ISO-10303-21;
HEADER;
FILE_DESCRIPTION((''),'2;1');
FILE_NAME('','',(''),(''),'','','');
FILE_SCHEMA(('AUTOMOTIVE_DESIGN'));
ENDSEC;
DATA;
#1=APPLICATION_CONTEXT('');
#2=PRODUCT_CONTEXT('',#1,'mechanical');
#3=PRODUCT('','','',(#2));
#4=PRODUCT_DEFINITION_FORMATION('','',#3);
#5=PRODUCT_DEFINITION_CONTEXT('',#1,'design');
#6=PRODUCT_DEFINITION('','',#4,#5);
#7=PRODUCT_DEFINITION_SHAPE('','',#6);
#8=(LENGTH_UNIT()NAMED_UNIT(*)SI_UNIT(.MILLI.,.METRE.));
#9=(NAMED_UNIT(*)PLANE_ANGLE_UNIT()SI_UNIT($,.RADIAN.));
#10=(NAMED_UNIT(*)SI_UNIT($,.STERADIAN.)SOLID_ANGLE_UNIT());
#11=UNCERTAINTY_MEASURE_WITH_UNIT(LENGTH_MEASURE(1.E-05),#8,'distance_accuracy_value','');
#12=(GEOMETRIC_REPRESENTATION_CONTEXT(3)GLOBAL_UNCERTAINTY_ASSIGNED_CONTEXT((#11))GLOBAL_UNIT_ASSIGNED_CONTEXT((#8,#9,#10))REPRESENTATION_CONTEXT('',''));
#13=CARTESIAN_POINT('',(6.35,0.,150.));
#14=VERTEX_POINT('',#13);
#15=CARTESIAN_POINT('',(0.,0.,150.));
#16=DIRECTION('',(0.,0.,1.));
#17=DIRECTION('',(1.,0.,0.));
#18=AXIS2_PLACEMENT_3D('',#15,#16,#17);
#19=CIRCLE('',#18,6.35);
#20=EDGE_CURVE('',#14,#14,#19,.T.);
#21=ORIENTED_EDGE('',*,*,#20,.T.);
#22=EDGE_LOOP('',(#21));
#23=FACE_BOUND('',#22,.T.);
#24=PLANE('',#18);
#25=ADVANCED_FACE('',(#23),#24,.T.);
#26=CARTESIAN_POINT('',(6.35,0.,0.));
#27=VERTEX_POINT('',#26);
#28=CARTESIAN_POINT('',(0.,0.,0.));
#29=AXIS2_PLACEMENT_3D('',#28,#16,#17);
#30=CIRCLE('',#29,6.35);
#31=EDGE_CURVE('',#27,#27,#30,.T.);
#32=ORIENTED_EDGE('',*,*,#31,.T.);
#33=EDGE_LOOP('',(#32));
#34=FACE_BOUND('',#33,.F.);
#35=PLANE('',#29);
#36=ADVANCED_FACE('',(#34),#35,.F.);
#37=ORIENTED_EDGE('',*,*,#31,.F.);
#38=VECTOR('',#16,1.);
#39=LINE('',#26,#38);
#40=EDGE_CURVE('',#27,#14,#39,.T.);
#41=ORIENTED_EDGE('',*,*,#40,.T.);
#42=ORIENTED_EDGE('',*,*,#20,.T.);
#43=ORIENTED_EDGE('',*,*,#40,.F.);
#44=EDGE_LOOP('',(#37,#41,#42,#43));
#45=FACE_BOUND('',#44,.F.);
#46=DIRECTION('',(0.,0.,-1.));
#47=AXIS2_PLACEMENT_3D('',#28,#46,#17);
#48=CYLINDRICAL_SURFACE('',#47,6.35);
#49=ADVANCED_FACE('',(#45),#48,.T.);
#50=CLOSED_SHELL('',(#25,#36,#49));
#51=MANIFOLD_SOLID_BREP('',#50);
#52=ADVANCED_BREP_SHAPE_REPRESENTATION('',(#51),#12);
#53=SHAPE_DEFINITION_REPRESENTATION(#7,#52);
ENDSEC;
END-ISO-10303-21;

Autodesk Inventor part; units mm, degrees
ref_plane "YZ Plane" through (0, 0, 0) normal (1, 0, 0) x (0, 1, 0)
ref_plane "XZ Plane" through (0, 0, 0) normal (0, 1, 0) x (-1, 0, 0)
ref_plane "XY Plane" through (0, 0, 0) normal (0, 0, 1) x (1, 0, 0)
sketch "Sketch1" plane through (0, 0, 0) normal (0, 0, 1) x (1, 0, 0)
  circle A0 centre (0, 0) radius 6.35
  dimension "d0" = 12.7
extrude "Extrusion1" add sketch "Sketch1" along normal blind 150
properties part number "Sprocket Axle"
